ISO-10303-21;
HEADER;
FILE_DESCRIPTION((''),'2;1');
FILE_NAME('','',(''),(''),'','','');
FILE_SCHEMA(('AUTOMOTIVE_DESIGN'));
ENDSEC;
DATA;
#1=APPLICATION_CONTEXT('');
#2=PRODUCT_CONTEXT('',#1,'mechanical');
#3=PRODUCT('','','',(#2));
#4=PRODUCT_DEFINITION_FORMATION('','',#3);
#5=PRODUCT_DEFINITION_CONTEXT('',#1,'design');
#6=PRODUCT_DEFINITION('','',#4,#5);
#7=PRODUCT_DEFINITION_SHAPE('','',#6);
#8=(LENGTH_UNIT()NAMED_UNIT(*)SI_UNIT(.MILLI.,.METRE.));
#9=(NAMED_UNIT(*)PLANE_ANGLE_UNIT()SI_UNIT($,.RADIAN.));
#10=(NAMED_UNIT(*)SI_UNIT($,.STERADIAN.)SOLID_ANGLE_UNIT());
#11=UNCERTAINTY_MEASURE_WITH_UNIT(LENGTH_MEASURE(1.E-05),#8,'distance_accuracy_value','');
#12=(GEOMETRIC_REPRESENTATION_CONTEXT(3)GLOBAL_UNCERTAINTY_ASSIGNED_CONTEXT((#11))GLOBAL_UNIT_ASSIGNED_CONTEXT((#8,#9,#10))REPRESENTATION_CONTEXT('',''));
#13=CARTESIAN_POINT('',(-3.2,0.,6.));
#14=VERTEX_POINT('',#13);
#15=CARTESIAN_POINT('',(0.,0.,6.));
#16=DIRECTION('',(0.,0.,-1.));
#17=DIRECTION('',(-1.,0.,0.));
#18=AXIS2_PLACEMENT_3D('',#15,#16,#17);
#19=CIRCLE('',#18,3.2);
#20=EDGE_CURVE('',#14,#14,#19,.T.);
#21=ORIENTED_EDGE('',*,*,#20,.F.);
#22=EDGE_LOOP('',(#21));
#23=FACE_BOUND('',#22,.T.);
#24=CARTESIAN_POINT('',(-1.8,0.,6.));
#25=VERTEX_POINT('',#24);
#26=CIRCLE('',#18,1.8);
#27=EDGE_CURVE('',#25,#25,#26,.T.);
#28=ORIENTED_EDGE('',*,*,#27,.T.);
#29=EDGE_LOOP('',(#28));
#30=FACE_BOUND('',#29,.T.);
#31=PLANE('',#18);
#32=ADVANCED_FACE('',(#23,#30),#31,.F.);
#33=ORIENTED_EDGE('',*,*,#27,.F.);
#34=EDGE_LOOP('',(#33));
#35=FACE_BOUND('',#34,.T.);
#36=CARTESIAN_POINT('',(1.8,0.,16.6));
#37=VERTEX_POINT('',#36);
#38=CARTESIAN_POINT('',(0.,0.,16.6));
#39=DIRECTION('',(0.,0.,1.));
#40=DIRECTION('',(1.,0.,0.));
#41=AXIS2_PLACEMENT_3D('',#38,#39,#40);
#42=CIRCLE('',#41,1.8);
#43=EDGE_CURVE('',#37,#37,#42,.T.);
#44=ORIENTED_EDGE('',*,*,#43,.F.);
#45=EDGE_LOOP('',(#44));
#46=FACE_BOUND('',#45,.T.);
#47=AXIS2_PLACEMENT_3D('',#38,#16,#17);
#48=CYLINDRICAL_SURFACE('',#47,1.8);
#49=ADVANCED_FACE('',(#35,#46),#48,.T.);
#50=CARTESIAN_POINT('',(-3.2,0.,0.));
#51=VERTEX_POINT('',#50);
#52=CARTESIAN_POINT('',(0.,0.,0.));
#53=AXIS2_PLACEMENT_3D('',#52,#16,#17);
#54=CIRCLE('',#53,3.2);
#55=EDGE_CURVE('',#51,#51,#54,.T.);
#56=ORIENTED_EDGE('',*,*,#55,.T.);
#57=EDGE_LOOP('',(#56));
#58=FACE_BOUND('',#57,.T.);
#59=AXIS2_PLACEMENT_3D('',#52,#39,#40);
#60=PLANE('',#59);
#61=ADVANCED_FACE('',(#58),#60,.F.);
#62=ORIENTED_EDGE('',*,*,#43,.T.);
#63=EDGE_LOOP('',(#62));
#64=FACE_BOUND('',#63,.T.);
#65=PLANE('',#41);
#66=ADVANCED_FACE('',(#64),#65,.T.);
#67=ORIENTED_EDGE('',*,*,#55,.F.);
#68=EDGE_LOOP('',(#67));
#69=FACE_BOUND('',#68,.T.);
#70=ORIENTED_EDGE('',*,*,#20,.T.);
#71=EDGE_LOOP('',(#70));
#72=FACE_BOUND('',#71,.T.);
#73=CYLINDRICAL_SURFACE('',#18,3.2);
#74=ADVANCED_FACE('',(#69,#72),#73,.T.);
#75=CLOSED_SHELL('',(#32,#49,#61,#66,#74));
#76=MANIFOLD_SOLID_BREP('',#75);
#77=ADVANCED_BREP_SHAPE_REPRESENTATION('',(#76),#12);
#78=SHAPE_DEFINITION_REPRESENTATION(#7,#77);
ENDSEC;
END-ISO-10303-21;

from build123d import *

# Parameters (mm, degrees)
SKETCH2_R           = 1.8
BOSS_EXTRUDE1_DEPTH = 16.6
SKETCH3_R           = 3.2
BOSS_EXTRUDE2_DEPTH = 6


with BuildPart() as part:
    # Sketch2 → Boss-Extrude1 (new body)
    with BuildSketch(Plane.XY):
        Circle(SKETCH2_R)
    extrude(amount=BOSS_EXTRUDE1_DEPTH)

    # Sketch3 → Boss-Extrude2 (add)
    with BuildSketch(Plane(origin=(0, 0, 0), x_dir=(-1, 0, 0), z_dir=(0, 0, -1))):
        Circle(SKETCH3_R)
    extrude(amount=-BOSS_EXTRUDE2_DEPTH)


solid = part.part
